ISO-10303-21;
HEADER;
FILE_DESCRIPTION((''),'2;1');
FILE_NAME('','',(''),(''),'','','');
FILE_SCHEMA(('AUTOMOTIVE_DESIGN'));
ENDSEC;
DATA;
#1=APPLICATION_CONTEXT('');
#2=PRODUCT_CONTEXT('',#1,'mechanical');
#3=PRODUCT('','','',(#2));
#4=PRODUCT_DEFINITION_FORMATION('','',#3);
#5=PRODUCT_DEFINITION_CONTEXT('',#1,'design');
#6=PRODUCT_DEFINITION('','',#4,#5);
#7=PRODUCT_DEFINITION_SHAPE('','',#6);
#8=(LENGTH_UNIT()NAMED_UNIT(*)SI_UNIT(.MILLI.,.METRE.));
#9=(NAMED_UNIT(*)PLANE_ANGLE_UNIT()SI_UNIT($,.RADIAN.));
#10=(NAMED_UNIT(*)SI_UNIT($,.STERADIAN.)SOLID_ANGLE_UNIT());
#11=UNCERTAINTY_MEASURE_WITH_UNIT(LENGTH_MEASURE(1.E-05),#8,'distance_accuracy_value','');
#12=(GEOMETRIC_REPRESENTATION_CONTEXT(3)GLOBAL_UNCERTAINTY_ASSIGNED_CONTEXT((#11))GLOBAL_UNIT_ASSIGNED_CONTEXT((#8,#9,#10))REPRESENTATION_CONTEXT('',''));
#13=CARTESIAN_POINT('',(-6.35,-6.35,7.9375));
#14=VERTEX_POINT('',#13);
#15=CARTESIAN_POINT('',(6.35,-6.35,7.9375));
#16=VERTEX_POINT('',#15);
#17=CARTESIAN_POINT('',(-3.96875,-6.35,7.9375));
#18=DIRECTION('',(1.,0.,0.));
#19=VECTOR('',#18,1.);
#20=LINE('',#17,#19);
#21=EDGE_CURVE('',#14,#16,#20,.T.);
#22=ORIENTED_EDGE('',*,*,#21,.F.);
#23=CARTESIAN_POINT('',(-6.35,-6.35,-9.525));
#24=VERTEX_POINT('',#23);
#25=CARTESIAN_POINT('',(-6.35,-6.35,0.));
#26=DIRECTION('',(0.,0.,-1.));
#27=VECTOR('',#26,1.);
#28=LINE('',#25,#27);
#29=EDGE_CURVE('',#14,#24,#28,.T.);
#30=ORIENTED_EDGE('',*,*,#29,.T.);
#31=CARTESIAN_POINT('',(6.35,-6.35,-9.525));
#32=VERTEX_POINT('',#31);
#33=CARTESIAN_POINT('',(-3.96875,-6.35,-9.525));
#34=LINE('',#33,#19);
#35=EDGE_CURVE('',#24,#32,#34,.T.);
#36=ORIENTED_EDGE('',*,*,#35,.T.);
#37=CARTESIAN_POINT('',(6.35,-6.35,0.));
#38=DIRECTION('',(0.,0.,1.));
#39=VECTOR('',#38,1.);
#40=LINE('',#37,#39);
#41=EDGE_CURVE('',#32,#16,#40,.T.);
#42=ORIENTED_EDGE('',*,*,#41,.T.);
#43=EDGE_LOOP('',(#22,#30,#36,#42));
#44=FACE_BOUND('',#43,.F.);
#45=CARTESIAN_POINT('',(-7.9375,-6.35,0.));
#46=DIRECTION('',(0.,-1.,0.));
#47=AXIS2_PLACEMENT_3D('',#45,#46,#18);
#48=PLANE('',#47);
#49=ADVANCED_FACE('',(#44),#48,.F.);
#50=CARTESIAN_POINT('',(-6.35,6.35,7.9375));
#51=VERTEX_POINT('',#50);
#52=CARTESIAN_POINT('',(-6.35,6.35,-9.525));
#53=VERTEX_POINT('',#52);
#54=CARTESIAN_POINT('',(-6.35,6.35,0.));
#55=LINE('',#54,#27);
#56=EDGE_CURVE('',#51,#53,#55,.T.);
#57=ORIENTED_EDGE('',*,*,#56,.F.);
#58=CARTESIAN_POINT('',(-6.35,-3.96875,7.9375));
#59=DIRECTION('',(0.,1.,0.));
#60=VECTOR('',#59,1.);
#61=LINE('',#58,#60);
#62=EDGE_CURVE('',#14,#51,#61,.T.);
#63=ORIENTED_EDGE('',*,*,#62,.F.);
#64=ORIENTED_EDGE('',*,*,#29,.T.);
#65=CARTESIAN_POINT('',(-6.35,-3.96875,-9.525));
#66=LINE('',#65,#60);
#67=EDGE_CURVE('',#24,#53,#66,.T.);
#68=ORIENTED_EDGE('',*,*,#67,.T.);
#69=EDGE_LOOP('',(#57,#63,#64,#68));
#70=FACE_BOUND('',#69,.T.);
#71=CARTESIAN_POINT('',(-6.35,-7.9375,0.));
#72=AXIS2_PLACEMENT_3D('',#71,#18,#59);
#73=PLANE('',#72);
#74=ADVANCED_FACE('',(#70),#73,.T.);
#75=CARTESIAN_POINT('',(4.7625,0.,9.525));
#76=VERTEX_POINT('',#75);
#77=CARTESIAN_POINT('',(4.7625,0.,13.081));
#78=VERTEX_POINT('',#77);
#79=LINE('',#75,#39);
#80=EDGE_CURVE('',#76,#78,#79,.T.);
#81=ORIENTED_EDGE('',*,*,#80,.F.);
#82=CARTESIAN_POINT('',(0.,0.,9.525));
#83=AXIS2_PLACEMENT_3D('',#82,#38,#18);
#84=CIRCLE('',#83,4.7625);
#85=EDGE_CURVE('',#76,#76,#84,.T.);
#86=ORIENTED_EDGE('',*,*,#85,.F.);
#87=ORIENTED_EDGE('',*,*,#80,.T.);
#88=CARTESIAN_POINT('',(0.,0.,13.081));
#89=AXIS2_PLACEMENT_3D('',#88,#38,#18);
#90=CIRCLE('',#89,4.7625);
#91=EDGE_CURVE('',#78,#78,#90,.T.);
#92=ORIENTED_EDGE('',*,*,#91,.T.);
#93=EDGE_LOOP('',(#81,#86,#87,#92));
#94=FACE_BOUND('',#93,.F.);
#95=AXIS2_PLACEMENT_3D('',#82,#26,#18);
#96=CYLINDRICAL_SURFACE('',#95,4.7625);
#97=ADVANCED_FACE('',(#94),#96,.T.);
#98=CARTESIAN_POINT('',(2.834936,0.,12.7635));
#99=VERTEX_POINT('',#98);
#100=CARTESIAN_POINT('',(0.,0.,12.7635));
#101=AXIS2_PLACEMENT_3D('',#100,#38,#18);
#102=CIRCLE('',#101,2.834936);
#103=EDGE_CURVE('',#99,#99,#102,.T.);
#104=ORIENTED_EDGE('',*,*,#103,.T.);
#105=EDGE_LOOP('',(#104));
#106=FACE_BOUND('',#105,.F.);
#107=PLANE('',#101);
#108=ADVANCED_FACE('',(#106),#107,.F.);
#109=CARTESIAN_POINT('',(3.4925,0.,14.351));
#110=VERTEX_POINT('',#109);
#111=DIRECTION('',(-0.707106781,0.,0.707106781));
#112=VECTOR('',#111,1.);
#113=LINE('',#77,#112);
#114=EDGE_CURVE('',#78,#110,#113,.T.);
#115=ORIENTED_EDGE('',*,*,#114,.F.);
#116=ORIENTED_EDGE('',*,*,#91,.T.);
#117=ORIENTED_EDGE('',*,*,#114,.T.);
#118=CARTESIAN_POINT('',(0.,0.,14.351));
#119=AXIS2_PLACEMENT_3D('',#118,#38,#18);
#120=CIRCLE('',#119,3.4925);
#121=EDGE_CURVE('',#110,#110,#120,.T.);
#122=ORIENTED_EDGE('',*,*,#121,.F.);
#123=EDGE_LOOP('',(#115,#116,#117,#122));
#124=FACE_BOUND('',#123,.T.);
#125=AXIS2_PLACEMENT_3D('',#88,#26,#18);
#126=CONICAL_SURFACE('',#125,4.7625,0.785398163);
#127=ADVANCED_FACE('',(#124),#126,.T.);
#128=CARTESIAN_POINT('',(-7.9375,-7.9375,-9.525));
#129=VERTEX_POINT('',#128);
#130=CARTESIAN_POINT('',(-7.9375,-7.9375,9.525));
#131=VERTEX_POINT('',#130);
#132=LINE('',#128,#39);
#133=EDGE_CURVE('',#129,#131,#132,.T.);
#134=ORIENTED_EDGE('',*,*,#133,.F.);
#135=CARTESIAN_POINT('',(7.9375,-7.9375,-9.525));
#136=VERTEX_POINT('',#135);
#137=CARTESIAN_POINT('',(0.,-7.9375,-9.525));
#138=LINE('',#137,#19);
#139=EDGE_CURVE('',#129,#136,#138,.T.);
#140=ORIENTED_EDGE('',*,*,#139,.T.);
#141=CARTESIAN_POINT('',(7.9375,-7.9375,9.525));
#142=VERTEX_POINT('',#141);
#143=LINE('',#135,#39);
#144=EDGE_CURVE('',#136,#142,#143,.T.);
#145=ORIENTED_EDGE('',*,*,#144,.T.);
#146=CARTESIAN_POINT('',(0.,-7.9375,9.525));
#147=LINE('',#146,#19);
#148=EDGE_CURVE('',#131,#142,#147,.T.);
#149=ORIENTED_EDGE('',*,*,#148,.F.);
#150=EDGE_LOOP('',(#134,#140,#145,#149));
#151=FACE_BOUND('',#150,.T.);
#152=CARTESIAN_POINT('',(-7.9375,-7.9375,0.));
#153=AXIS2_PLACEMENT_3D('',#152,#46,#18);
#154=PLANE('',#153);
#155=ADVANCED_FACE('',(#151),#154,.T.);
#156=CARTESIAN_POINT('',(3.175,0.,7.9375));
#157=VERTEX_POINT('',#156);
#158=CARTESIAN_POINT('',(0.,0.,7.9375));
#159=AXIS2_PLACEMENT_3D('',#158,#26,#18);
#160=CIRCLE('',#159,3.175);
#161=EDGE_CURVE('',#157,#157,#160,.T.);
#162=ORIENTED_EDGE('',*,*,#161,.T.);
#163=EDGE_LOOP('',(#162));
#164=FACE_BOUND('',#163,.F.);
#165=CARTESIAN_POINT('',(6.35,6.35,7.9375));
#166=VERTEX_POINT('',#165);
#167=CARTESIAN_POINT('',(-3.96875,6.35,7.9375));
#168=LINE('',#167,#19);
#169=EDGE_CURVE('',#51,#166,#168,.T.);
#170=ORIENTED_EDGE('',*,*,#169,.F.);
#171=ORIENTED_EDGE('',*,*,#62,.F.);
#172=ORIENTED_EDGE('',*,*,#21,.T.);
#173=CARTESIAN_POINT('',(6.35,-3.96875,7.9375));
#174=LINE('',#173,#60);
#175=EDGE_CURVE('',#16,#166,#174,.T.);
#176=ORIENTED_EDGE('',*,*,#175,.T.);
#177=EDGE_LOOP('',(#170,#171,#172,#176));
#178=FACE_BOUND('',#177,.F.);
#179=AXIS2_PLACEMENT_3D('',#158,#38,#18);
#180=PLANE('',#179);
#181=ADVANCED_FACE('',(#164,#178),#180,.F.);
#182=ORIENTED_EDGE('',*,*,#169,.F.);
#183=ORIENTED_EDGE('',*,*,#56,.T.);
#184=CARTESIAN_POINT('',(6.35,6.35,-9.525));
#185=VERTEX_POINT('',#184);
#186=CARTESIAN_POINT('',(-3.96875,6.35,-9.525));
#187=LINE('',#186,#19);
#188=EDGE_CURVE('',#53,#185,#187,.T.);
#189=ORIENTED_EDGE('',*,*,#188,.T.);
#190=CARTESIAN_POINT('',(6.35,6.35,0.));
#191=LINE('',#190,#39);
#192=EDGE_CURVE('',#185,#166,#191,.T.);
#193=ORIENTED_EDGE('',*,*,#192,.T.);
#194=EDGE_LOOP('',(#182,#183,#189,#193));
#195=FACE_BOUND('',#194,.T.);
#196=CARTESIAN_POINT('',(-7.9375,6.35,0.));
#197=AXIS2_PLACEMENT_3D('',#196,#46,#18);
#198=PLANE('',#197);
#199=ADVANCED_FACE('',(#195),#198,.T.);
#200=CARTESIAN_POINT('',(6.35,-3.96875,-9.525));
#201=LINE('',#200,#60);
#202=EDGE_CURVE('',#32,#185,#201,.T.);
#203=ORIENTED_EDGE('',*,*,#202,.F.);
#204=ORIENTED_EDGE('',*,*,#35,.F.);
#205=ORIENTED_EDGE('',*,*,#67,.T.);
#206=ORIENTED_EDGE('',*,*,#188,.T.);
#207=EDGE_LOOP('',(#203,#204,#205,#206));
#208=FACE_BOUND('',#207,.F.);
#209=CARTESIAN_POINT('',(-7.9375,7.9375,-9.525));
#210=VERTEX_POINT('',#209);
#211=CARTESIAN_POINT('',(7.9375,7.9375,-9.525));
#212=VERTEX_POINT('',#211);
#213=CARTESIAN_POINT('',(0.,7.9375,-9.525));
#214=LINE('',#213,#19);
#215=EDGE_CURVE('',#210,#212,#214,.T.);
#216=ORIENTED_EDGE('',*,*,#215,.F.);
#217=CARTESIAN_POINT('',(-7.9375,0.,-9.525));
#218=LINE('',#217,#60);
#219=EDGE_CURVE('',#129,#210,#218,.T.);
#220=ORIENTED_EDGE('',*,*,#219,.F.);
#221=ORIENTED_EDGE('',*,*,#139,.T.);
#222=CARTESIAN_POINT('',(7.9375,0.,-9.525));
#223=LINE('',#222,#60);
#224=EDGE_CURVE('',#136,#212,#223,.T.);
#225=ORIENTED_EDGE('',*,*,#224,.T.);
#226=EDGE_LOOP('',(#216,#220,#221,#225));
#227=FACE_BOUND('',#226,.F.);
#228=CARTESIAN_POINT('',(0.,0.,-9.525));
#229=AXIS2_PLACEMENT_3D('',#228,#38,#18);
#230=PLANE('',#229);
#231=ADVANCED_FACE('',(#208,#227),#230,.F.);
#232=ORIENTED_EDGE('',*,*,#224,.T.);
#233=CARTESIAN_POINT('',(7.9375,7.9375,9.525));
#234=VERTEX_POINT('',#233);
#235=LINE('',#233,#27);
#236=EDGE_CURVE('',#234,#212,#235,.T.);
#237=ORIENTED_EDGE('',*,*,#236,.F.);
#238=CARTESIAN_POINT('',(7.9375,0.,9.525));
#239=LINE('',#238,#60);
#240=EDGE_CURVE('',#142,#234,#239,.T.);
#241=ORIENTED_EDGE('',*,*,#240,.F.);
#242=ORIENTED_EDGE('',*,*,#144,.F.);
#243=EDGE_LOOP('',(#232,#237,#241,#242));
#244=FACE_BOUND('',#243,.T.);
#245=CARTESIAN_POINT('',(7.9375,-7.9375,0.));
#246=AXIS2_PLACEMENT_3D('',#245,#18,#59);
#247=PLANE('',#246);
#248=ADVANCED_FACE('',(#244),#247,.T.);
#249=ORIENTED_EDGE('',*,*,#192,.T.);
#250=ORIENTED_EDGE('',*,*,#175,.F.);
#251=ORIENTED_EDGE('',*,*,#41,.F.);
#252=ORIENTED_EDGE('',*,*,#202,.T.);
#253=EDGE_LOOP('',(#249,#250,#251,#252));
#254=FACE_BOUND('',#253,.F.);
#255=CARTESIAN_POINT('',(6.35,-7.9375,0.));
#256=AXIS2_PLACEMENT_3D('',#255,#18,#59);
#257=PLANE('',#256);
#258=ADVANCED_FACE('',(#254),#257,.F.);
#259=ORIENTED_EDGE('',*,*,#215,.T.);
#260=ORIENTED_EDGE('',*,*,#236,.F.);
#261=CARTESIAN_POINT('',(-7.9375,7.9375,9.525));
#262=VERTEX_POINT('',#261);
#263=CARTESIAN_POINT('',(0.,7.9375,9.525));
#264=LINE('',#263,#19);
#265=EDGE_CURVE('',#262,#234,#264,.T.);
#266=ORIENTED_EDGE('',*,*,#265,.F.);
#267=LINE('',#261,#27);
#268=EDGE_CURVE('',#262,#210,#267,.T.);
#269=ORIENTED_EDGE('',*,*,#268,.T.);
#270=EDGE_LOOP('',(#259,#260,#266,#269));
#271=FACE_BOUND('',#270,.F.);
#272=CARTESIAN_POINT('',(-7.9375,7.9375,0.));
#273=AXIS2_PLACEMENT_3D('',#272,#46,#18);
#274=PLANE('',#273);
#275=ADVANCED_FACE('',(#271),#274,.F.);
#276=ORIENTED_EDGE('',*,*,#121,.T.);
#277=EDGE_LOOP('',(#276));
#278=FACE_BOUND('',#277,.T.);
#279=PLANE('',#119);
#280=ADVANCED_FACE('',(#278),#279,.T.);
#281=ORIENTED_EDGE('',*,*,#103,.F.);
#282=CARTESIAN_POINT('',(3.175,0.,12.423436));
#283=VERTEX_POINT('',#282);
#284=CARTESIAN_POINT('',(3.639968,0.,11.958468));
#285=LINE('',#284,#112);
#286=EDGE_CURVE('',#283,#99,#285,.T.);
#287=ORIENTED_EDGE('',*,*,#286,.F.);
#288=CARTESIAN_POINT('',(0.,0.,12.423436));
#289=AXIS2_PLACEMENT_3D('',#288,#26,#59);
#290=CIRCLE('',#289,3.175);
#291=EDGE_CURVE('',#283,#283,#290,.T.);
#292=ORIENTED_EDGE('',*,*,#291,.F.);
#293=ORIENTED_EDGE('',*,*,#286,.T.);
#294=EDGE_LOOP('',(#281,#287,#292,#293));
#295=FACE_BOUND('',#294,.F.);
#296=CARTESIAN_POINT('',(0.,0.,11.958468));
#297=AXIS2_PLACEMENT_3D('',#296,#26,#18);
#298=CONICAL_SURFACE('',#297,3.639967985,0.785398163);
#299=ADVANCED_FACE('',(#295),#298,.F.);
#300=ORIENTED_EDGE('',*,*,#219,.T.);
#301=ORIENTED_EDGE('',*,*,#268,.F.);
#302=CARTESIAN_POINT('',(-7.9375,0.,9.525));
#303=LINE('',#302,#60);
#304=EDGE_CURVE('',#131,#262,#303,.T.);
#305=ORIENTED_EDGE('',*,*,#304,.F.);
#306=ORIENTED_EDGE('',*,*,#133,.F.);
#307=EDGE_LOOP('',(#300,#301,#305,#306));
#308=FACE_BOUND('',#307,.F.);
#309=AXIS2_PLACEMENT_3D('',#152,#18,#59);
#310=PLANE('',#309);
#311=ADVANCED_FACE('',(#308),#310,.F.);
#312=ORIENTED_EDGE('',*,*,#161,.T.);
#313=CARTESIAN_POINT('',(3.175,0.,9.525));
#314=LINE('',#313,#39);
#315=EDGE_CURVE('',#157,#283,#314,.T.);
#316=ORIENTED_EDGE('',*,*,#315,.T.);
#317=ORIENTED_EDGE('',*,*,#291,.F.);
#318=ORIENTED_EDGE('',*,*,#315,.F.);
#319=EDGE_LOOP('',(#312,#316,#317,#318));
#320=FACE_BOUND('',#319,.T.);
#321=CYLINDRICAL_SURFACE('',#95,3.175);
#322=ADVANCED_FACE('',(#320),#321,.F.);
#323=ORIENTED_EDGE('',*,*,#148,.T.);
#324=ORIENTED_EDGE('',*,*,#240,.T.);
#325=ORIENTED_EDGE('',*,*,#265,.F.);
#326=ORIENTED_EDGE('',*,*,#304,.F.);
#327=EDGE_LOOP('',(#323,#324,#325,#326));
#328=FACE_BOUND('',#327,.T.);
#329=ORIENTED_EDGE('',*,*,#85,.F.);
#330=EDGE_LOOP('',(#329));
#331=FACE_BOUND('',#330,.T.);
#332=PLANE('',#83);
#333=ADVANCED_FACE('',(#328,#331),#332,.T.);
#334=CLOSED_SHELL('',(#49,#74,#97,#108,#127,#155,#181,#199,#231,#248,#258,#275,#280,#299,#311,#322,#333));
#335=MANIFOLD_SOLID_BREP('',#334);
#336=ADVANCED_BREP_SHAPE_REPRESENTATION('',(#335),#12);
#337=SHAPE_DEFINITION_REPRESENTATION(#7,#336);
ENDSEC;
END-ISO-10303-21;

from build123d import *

# Parameters (mm, degrees)
F0_W     = 15.875
F0_H     = 15.875
F1_DEPTH = 9.525
F2_R     = 4.7625
F3_DEPTH = 4.826
F4_SIZE  = 1.27
F5_T     = -1.5875


with BuildPart() as f1:
    # F0 (on Top) → F1 (new body, symmetric)
    with BuildSketch(Plane.XY):
        Rectangle(F0_W, F0_H)
    extrude(amount=F1_DEPTH, both=True)

    # F2 (on face) → F3 (join)
    with BuildSketch(Plane.XY.offset(9.525)):
        Circle(F2_R)
    extrude(amount=F3_DEPTH)

    # F4
    f4_edges = [f1.edges().sort_by_distance(p)[0] for p in [
        (-4.7625, 0, 14.351),
    ]]
    chamfer(f4_edges, length=F4_SIZE)

    # F5
    f5_openings = [f1.faces().sort_by_distance(p)[0] for p in [
        (0, 0, -9.525),
    ]]
    offset(amount=F5_T, openings=f5_openings, kind=Kind.INTERSECTION)


solid = f1.part
